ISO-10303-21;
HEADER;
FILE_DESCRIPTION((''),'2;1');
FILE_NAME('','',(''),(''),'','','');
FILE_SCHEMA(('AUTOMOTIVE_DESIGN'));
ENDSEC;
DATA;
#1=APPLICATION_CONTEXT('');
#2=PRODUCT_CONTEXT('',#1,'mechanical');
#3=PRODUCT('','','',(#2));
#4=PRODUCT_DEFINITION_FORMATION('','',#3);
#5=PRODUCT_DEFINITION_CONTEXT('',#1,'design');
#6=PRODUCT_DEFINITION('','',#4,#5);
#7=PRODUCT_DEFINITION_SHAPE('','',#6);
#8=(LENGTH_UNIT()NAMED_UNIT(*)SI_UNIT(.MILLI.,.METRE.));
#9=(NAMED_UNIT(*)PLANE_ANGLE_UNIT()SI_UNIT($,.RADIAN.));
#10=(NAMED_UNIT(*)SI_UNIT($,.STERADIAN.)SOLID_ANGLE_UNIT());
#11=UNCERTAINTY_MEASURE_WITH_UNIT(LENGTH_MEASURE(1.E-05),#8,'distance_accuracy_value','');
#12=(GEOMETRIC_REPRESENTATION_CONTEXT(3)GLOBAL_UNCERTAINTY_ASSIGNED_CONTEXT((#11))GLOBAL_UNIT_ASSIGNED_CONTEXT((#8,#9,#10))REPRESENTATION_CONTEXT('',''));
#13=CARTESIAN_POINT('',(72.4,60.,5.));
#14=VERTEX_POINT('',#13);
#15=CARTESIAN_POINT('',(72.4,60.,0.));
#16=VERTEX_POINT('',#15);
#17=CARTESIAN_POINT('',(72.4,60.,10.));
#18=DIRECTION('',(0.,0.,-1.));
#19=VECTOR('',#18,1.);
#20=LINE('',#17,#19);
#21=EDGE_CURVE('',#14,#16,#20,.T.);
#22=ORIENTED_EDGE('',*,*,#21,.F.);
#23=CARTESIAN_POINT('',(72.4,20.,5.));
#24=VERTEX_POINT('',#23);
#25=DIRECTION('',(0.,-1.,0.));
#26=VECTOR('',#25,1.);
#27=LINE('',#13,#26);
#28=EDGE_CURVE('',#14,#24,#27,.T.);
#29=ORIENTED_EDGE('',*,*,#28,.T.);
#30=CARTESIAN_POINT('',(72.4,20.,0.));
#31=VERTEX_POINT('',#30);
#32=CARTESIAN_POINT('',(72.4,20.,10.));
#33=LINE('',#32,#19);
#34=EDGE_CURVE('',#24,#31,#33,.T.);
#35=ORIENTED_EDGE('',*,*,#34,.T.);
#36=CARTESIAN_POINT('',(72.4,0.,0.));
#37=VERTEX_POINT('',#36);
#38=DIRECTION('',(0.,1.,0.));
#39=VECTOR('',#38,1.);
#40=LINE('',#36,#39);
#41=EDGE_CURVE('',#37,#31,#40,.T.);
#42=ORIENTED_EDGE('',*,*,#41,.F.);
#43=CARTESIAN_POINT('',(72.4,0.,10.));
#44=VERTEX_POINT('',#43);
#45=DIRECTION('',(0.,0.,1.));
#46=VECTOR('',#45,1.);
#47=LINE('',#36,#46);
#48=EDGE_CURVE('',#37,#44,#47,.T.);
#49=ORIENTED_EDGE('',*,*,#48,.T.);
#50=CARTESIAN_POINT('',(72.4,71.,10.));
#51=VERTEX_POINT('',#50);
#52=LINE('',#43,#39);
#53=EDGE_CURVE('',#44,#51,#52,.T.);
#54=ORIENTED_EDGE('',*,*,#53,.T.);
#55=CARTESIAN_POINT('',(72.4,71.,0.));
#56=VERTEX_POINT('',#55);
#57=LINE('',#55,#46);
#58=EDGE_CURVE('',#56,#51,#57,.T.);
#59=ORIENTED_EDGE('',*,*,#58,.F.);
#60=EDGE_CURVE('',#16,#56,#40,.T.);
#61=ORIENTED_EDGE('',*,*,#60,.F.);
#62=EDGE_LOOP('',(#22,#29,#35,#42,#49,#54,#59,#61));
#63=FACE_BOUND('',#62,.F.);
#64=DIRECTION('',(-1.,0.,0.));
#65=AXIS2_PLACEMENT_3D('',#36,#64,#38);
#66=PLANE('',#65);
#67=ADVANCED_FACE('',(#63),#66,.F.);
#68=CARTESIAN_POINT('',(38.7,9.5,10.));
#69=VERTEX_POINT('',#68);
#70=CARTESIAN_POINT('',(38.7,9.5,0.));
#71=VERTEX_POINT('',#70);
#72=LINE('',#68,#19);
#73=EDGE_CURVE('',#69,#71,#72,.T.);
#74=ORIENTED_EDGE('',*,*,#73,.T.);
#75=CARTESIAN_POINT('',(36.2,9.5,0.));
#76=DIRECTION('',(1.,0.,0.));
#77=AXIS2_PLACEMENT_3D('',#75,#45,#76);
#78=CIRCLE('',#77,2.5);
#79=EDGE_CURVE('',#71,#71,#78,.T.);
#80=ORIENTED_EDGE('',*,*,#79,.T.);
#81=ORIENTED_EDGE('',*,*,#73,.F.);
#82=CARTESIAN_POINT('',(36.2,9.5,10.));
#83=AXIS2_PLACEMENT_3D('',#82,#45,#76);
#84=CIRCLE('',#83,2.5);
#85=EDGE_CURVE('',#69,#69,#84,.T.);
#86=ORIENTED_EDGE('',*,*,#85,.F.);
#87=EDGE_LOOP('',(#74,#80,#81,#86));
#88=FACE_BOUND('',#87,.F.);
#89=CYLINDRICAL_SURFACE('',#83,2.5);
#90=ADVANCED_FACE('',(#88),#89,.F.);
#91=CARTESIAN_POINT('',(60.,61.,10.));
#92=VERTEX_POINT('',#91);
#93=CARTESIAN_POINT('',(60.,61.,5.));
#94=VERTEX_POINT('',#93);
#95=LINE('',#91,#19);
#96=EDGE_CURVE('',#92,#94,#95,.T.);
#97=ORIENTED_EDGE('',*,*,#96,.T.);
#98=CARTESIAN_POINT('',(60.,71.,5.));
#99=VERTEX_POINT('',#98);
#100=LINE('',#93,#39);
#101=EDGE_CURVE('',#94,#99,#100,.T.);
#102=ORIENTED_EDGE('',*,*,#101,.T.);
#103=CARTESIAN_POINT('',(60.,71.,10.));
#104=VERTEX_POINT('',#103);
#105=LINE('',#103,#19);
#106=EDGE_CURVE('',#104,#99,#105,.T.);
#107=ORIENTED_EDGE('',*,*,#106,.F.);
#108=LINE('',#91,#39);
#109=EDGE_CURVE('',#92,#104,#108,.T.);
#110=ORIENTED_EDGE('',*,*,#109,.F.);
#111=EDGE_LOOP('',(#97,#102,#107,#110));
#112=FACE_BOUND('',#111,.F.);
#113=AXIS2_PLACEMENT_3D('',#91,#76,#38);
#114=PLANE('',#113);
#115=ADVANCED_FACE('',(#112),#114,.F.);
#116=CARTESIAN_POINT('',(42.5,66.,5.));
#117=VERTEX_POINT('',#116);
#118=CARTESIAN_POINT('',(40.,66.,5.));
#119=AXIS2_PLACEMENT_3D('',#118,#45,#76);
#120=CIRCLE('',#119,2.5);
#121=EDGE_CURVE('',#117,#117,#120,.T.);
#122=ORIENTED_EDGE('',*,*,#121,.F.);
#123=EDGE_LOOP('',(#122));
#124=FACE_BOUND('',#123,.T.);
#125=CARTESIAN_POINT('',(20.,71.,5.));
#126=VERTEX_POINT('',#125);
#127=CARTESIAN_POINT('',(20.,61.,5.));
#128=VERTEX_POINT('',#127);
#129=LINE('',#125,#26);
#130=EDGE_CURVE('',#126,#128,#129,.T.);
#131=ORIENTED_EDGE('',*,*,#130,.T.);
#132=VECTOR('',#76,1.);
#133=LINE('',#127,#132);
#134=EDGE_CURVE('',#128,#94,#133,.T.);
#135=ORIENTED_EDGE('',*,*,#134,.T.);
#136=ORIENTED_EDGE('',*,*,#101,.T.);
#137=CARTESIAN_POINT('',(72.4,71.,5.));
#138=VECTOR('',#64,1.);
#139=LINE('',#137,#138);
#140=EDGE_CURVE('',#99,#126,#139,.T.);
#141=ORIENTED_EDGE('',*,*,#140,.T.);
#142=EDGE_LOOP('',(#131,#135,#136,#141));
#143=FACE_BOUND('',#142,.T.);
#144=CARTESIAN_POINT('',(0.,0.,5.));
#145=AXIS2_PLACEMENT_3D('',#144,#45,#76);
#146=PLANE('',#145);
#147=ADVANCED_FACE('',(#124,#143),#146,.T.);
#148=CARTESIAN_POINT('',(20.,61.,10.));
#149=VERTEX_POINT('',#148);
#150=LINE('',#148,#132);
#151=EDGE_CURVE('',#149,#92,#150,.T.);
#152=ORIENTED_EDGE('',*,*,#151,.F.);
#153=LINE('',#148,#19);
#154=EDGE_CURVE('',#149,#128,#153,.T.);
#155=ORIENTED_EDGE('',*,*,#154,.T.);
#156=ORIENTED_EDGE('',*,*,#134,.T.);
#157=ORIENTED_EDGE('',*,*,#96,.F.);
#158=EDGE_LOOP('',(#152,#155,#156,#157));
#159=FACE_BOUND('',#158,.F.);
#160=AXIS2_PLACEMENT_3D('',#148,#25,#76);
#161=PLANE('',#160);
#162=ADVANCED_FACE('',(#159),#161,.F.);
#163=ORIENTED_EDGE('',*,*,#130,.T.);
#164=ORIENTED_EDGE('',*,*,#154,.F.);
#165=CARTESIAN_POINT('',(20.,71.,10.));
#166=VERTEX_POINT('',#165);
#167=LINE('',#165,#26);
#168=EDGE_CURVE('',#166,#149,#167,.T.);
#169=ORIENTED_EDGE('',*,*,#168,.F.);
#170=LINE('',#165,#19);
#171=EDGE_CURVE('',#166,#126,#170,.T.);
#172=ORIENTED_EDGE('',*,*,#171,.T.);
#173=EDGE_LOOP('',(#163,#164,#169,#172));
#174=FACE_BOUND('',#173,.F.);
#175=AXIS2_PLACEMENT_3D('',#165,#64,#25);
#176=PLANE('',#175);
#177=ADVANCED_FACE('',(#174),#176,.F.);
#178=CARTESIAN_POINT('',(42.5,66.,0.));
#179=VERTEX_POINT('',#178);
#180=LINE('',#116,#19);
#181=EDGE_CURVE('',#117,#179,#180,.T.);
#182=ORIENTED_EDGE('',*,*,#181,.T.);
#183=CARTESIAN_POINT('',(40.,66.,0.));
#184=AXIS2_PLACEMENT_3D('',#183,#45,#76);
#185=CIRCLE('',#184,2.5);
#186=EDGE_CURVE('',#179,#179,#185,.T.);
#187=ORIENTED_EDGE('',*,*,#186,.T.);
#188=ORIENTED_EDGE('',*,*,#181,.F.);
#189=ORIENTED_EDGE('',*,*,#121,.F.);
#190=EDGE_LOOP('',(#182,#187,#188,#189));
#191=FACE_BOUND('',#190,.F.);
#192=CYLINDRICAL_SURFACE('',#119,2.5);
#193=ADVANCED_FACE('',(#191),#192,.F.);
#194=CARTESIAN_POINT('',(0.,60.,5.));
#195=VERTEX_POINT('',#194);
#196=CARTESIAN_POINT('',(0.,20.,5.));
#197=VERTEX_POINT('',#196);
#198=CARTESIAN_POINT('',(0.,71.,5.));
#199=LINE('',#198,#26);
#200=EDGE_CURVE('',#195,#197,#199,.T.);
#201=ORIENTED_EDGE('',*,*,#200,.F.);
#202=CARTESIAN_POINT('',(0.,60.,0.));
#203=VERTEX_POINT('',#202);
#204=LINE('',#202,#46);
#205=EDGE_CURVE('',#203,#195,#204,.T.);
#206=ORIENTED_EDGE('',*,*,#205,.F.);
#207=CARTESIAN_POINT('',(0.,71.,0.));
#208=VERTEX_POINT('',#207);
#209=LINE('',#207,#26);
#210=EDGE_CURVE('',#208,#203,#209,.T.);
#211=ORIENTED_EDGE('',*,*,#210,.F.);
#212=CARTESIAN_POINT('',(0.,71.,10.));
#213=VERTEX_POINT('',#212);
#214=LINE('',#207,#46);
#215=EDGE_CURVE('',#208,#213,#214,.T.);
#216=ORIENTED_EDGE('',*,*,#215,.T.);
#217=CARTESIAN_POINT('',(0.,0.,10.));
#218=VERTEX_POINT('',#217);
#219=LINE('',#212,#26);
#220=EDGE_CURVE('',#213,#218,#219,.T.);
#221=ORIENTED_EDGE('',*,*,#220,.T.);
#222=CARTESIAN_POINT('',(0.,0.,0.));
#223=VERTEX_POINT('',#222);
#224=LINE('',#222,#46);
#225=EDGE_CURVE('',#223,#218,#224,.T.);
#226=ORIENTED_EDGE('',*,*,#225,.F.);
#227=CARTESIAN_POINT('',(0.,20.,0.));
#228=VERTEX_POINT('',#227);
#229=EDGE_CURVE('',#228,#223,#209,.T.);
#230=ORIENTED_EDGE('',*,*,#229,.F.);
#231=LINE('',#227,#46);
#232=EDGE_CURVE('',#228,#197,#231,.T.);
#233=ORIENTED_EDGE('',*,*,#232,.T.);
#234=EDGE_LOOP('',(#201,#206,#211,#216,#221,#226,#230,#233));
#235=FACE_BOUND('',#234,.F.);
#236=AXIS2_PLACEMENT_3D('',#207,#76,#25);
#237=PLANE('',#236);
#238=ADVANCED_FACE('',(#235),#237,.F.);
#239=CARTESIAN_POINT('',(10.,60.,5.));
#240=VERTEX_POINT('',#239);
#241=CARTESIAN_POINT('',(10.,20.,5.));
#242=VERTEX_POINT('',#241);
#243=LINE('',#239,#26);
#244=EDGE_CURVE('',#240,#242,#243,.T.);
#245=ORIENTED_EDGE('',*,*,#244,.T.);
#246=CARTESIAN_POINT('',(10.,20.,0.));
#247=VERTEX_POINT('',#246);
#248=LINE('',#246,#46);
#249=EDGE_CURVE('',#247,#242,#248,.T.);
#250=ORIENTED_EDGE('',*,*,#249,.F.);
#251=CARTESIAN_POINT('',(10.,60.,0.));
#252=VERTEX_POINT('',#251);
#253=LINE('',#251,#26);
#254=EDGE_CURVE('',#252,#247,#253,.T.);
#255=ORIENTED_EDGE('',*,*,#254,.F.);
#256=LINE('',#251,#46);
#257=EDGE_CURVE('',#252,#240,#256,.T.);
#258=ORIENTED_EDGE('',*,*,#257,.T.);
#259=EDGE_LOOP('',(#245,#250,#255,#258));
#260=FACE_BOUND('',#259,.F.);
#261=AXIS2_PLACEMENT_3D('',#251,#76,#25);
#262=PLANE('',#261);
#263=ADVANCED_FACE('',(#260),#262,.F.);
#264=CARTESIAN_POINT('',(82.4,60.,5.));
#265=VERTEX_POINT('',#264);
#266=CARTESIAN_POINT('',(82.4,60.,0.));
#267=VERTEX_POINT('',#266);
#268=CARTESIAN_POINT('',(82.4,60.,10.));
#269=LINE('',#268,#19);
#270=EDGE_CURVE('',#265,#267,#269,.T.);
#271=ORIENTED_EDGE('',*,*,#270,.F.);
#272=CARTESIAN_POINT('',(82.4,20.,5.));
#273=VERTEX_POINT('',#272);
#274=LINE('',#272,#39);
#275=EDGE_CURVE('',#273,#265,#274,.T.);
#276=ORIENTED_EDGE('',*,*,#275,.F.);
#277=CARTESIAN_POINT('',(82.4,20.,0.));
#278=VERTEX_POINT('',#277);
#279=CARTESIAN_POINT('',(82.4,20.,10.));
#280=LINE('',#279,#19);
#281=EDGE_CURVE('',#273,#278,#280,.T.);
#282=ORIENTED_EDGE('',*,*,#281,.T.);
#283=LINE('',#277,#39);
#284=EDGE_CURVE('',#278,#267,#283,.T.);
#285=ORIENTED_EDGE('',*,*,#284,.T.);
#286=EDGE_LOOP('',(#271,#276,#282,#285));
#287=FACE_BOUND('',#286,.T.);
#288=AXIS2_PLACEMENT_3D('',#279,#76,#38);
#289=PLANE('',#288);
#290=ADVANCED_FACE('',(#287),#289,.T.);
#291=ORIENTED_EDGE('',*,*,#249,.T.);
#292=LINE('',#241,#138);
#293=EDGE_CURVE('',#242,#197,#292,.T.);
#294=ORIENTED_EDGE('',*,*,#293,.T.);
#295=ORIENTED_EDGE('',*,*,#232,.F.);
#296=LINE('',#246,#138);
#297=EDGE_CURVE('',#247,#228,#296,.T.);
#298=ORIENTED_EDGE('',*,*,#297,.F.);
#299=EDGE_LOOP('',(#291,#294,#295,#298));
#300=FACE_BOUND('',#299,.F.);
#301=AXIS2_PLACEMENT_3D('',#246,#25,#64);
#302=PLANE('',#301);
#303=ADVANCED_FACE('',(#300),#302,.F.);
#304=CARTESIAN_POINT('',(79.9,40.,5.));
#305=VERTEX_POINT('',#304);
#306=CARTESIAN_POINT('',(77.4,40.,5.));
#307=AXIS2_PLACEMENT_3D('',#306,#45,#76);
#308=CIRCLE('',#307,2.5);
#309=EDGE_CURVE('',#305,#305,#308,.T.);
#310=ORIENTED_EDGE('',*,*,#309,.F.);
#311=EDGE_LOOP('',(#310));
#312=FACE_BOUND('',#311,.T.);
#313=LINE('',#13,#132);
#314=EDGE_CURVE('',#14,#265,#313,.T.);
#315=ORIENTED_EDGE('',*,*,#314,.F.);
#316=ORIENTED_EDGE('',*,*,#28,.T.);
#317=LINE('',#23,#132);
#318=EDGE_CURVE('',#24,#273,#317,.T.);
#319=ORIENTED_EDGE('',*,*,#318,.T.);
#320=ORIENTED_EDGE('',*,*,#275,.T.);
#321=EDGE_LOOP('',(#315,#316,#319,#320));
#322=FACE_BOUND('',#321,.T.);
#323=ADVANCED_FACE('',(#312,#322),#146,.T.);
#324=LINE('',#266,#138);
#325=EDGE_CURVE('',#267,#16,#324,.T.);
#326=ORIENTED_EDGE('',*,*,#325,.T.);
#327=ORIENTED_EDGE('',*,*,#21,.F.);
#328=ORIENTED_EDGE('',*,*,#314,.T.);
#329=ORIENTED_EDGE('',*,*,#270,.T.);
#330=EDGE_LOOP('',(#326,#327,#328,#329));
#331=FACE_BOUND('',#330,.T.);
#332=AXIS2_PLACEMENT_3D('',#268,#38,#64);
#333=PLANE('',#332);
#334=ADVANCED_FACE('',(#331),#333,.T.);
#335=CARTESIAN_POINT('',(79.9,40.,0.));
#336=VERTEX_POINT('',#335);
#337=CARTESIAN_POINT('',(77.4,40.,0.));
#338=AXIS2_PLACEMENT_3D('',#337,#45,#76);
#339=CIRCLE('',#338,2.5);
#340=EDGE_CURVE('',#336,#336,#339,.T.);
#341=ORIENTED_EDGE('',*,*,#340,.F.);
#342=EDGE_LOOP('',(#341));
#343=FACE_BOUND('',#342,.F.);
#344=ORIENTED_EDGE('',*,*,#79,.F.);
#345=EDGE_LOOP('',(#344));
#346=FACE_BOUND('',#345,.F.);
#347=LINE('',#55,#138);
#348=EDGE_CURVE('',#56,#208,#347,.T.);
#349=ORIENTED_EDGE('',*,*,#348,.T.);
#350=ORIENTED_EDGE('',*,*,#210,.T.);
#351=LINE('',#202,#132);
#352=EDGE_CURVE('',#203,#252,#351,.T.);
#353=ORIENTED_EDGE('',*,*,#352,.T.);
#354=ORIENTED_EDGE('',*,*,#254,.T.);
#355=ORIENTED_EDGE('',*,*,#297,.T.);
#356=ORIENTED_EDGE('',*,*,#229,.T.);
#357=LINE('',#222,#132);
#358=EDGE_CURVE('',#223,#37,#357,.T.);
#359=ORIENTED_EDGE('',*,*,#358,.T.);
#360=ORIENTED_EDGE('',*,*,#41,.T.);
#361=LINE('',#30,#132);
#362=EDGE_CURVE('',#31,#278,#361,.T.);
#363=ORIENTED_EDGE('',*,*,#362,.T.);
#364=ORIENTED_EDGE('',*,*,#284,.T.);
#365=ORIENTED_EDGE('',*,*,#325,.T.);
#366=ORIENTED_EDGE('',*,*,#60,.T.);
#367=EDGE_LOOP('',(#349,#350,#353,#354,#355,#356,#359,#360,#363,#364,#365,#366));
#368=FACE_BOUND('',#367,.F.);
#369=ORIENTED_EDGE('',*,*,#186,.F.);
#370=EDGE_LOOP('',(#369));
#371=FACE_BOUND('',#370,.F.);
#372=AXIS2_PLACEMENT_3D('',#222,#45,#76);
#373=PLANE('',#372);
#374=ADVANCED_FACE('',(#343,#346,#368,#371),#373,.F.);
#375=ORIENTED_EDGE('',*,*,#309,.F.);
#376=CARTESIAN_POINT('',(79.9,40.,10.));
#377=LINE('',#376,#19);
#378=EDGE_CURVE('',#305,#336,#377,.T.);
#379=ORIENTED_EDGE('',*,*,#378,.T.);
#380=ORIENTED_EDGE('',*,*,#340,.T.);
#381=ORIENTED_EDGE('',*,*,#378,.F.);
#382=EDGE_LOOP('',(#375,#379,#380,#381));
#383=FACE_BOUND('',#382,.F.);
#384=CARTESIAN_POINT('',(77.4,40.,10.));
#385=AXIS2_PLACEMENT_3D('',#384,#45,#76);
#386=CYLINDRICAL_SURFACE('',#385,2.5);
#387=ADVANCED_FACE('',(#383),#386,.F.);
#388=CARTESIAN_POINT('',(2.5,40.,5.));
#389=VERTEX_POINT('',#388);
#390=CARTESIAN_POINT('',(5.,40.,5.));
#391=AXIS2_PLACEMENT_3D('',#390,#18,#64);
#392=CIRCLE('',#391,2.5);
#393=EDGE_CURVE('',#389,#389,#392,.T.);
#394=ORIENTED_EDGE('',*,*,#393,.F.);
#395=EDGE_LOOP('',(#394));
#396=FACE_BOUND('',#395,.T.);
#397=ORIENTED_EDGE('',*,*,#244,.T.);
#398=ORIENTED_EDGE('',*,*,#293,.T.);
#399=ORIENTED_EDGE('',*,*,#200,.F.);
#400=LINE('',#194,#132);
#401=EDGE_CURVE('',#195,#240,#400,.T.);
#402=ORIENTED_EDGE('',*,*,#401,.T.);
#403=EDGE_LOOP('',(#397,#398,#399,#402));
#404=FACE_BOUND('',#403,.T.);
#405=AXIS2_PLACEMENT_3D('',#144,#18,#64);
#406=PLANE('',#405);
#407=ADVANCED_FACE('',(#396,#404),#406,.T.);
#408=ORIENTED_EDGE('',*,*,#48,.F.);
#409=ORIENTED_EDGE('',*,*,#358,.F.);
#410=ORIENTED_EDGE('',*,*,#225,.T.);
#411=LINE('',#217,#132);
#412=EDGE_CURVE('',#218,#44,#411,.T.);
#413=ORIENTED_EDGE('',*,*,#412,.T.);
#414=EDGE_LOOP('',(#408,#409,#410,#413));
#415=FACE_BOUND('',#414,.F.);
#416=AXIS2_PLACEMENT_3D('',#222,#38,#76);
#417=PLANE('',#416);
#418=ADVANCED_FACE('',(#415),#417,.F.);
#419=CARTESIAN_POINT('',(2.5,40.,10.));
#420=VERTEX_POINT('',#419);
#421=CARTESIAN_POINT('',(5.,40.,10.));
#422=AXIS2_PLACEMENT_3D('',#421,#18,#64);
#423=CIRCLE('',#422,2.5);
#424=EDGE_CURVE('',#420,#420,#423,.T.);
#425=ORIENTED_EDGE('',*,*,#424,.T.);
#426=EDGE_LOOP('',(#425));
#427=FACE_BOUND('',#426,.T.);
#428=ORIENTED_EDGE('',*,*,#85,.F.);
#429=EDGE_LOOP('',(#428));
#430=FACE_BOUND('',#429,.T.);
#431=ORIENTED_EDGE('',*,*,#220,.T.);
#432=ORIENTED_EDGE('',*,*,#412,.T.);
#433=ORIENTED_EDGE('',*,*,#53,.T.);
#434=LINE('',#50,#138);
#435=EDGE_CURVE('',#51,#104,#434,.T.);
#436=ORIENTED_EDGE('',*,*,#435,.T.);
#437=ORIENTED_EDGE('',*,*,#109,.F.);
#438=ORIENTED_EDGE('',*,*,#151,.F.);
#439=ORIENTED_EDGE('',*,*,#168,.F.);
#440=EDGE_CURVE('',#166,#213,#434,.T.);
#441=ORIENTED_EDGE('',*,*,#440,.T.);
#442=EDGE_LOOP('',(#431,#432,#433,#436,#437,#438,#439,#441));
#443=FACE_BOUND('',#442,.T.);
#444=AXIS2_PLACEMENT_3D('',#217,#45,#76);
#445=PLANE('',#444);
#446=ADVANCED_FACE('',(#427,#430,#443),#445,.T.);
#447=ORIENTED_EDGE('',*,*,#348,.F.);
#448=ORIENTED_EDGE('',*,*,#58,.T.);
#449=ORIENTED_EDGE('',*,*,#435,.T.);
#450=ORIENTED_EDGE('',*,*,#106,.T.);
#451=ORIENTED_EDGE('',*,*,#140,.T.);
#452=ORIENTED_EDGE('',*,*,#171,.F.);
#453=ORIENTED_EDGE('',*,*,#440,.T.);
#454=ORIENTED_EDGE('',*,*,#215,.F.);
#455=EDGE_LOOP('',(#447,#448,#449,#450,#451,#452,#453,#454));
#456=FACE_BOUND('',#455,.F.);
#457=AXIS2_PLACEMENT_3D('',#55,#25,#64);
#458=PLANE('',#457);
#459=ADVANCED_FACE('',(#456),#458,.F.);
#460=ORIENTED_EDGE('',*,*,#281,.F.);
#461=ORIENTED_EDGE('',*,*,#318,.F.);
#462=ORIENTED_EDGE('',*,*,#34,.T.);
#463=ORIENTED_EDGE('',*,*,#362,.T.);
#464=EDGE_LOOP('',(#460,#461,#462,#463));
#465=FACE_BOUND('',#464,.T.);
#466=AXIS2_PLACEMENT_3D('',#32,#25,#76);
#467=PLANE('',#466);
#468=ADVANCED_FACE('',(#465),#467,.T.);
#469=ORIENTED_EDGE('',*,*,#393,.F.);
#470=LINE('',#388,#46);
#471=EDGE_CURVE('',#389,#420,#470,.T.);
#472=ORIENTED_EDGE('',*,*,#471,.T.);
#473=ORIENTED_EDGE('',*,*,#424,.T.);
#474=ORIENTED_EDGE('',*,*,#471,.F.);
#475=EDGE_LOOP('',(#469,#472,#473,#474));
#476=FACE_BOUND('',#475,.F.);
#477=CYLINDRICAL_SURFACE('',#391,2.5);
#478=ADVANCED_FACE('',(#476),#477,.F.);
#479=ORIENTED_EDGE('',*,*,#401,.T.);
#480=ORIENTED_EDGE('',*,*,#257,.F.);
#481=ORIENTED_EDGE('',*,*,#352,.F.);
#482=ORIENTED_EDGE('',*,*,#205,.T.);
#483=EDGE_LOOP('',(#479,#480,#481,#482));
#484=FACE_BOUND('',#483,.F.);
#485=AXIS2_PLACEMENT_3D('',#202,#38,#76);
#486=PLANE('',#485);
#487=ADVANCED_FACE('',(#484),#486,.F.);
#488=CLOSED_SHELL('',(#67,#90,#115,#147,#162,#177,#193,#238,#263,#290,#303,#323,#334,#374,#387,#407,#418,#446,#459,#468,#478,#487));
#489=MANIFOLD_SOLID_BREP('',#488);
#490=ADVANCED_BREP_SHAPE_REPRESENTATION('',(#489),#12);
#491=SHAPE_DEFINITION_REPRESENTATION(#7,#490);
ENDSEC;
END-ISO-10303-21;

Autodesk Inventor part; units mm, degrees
ref_plane "YZ Plane" through (0, 0, 0) normal (1, 0, 0) x (0, 1, 0)
ref_plane "XZ Plane" through (0, 0, 0) normal (0, 1, 0) x (-1, 0, 0)
ref_plane "XY Plane" through (0, 0, 0) normal (0, 0, 1) x (1, 0, 0)
sketch "Sketch1" plane through (0, 0, 0) normal (0, 0, 1) x (1, 0, 0)
  line L0 (0, 0) -> (72.4, 0)
  line L1 (72.4, 0) -> (72.4, 71)
  line L2 (72.4, 71) -> (0, 71)
  line L3 (0, 71) -> (0, 0)
  dimension "d0" = 72.4
  dimension "d1" = 71
extrude "Extrusion1" add sketch "Sketch1" along normal blind 10
sketch "Sketch2" plane through (0, 0, 10) normal (0, 0, 1) x (1, 0, 0)
  line L0 (72.4, 0) -> (72.4, 71) projected
  line L1 (72.4, 20) -> (82.4, 20)
  line L2 (82.4, 20) -> (82.4, 60)
  line L3 (82.4, 60) -> (72.4, 60)
  line L4 (72.4, 60) -> (72.4, 20)
  line L5 (72.4, 71) -> (0, 71) projected
  circle A0 centre (77.4, 40) radius 2.5
  line L6 (0, 0) -> (72.4, 0) projected
  point P0 (82.4, 40)
  point P1 (77.4, 60)
  dimension "d4" = 10
  dimension "d5" = 40
  dimension "d7" = 5
  dimension "d22" = 20
extrude "Extrusion2" add sketch "Sketch2" against normal blind 10
sketch "Sketch3" plane through (0, 0, 10) normal (0, 0, 1) x (1, 0, 0)
  line L0 (72.4, 60) -> (82.4, 60) projected
  line L1 (72.4, 20) -> (82.4, 20) projected
  line L2 (82.4, 60) -> (72.4, 60)
  line L3 (72.4, 60) -> (72.4, 20)
  line L4 (72.4, 20) -> (82.4, 20)
  line L5 (82.4, 20) -> (82.4, 60)
  point P0 (0, 0)
extrude "Extrusion3" cut sketch "Sketch3" against normal blind 5
sketch "Sketch4" plane through (0, 0, 0) normal (0, 0, -1) x (-1, 0, 0)
  line L0 (0, 71) -> (0, 0) projected
  line L1 (0, 60) -> (-10, 60)
  line L2 (-10, 60) -> (-10, 20)
  line L3 (-10, 20) -> (0, 20)
  line L4 (0, 20) -> (0, 60)
  point P0 (-72.4, 60)
  dimension "d15" = 10
  dimension "d16" = 40
extrude "Extrusion4" cut sketch "Sketch4" against normal blind 5
sketch "Sketch5" plane through (0, 0, 5) normal (0, 0, -1) x (-1, 0, 0)
  circle A0 centre (-5, 40) radius 2.5
  line L0 (0, 60) -> (0, 20) projected
  line L1 (-10, 60) -> (0, 60) projected
  point P0 (0, 0)
  point P1 (0, 40)
  point P2 (-5, 60)
  dimension "d19" = 5
extrude "Extrusion5" cut sketch "Sketch5" against normal through all
sketch "Sketch6" plane through (0, 0, 10) normal (0, 0, 1) x (1, 0, 0)
  line L0 (72.4, 71) -> (0, 71) projected
  line L1 (60, 71) -> (20, 71)
  line L2 (20, 71) -> (20, 61)
  line L3 (20, 61) -> (60, 61)
  line L4 (60, 61) -> (60, 71)
  line L5 (0, 71) -> (0, 0) projected
  dimension "d23" = 40
  dimension "d24" = 10
  dimension "d25" = 20
extrude "Extrusion6" cut sketch "Sketch6" against normal blind 5
sketch "Sketch7" plane through (0, 0, 5) normal (0, 0, 1) x (1, 0, 0)
  circle A0 centre (40, 66) radius 2.5
  line L0 (60, 61) -> (20, 61) projected
  line L1 (20, 61) -> (20, 71) projected
  point P0 (0, 0)
  point P1 (40, 61)
  point P2 (20, 66)
  dimension "d28" = 5
extrude "Extrusion7" cut sketch "Sketch7" against normal through all
sketch "Sketch8" plane through (0, 0, 10) normal (0, 0, 1) x (1, 0, 0)
  circle A0 centre (36.2, 9.5) radius 2.5
  line L0 (0, 0) -> (72.4, 0) projected
  point P0 (36.2, 0)
  dimension "d31" = 5
  dimension "d32" = 9.5
extrude "Extrusion8" cut sketch "Sketch8" against normal through all
properties part number "SP002" material "ABS Plastic"
